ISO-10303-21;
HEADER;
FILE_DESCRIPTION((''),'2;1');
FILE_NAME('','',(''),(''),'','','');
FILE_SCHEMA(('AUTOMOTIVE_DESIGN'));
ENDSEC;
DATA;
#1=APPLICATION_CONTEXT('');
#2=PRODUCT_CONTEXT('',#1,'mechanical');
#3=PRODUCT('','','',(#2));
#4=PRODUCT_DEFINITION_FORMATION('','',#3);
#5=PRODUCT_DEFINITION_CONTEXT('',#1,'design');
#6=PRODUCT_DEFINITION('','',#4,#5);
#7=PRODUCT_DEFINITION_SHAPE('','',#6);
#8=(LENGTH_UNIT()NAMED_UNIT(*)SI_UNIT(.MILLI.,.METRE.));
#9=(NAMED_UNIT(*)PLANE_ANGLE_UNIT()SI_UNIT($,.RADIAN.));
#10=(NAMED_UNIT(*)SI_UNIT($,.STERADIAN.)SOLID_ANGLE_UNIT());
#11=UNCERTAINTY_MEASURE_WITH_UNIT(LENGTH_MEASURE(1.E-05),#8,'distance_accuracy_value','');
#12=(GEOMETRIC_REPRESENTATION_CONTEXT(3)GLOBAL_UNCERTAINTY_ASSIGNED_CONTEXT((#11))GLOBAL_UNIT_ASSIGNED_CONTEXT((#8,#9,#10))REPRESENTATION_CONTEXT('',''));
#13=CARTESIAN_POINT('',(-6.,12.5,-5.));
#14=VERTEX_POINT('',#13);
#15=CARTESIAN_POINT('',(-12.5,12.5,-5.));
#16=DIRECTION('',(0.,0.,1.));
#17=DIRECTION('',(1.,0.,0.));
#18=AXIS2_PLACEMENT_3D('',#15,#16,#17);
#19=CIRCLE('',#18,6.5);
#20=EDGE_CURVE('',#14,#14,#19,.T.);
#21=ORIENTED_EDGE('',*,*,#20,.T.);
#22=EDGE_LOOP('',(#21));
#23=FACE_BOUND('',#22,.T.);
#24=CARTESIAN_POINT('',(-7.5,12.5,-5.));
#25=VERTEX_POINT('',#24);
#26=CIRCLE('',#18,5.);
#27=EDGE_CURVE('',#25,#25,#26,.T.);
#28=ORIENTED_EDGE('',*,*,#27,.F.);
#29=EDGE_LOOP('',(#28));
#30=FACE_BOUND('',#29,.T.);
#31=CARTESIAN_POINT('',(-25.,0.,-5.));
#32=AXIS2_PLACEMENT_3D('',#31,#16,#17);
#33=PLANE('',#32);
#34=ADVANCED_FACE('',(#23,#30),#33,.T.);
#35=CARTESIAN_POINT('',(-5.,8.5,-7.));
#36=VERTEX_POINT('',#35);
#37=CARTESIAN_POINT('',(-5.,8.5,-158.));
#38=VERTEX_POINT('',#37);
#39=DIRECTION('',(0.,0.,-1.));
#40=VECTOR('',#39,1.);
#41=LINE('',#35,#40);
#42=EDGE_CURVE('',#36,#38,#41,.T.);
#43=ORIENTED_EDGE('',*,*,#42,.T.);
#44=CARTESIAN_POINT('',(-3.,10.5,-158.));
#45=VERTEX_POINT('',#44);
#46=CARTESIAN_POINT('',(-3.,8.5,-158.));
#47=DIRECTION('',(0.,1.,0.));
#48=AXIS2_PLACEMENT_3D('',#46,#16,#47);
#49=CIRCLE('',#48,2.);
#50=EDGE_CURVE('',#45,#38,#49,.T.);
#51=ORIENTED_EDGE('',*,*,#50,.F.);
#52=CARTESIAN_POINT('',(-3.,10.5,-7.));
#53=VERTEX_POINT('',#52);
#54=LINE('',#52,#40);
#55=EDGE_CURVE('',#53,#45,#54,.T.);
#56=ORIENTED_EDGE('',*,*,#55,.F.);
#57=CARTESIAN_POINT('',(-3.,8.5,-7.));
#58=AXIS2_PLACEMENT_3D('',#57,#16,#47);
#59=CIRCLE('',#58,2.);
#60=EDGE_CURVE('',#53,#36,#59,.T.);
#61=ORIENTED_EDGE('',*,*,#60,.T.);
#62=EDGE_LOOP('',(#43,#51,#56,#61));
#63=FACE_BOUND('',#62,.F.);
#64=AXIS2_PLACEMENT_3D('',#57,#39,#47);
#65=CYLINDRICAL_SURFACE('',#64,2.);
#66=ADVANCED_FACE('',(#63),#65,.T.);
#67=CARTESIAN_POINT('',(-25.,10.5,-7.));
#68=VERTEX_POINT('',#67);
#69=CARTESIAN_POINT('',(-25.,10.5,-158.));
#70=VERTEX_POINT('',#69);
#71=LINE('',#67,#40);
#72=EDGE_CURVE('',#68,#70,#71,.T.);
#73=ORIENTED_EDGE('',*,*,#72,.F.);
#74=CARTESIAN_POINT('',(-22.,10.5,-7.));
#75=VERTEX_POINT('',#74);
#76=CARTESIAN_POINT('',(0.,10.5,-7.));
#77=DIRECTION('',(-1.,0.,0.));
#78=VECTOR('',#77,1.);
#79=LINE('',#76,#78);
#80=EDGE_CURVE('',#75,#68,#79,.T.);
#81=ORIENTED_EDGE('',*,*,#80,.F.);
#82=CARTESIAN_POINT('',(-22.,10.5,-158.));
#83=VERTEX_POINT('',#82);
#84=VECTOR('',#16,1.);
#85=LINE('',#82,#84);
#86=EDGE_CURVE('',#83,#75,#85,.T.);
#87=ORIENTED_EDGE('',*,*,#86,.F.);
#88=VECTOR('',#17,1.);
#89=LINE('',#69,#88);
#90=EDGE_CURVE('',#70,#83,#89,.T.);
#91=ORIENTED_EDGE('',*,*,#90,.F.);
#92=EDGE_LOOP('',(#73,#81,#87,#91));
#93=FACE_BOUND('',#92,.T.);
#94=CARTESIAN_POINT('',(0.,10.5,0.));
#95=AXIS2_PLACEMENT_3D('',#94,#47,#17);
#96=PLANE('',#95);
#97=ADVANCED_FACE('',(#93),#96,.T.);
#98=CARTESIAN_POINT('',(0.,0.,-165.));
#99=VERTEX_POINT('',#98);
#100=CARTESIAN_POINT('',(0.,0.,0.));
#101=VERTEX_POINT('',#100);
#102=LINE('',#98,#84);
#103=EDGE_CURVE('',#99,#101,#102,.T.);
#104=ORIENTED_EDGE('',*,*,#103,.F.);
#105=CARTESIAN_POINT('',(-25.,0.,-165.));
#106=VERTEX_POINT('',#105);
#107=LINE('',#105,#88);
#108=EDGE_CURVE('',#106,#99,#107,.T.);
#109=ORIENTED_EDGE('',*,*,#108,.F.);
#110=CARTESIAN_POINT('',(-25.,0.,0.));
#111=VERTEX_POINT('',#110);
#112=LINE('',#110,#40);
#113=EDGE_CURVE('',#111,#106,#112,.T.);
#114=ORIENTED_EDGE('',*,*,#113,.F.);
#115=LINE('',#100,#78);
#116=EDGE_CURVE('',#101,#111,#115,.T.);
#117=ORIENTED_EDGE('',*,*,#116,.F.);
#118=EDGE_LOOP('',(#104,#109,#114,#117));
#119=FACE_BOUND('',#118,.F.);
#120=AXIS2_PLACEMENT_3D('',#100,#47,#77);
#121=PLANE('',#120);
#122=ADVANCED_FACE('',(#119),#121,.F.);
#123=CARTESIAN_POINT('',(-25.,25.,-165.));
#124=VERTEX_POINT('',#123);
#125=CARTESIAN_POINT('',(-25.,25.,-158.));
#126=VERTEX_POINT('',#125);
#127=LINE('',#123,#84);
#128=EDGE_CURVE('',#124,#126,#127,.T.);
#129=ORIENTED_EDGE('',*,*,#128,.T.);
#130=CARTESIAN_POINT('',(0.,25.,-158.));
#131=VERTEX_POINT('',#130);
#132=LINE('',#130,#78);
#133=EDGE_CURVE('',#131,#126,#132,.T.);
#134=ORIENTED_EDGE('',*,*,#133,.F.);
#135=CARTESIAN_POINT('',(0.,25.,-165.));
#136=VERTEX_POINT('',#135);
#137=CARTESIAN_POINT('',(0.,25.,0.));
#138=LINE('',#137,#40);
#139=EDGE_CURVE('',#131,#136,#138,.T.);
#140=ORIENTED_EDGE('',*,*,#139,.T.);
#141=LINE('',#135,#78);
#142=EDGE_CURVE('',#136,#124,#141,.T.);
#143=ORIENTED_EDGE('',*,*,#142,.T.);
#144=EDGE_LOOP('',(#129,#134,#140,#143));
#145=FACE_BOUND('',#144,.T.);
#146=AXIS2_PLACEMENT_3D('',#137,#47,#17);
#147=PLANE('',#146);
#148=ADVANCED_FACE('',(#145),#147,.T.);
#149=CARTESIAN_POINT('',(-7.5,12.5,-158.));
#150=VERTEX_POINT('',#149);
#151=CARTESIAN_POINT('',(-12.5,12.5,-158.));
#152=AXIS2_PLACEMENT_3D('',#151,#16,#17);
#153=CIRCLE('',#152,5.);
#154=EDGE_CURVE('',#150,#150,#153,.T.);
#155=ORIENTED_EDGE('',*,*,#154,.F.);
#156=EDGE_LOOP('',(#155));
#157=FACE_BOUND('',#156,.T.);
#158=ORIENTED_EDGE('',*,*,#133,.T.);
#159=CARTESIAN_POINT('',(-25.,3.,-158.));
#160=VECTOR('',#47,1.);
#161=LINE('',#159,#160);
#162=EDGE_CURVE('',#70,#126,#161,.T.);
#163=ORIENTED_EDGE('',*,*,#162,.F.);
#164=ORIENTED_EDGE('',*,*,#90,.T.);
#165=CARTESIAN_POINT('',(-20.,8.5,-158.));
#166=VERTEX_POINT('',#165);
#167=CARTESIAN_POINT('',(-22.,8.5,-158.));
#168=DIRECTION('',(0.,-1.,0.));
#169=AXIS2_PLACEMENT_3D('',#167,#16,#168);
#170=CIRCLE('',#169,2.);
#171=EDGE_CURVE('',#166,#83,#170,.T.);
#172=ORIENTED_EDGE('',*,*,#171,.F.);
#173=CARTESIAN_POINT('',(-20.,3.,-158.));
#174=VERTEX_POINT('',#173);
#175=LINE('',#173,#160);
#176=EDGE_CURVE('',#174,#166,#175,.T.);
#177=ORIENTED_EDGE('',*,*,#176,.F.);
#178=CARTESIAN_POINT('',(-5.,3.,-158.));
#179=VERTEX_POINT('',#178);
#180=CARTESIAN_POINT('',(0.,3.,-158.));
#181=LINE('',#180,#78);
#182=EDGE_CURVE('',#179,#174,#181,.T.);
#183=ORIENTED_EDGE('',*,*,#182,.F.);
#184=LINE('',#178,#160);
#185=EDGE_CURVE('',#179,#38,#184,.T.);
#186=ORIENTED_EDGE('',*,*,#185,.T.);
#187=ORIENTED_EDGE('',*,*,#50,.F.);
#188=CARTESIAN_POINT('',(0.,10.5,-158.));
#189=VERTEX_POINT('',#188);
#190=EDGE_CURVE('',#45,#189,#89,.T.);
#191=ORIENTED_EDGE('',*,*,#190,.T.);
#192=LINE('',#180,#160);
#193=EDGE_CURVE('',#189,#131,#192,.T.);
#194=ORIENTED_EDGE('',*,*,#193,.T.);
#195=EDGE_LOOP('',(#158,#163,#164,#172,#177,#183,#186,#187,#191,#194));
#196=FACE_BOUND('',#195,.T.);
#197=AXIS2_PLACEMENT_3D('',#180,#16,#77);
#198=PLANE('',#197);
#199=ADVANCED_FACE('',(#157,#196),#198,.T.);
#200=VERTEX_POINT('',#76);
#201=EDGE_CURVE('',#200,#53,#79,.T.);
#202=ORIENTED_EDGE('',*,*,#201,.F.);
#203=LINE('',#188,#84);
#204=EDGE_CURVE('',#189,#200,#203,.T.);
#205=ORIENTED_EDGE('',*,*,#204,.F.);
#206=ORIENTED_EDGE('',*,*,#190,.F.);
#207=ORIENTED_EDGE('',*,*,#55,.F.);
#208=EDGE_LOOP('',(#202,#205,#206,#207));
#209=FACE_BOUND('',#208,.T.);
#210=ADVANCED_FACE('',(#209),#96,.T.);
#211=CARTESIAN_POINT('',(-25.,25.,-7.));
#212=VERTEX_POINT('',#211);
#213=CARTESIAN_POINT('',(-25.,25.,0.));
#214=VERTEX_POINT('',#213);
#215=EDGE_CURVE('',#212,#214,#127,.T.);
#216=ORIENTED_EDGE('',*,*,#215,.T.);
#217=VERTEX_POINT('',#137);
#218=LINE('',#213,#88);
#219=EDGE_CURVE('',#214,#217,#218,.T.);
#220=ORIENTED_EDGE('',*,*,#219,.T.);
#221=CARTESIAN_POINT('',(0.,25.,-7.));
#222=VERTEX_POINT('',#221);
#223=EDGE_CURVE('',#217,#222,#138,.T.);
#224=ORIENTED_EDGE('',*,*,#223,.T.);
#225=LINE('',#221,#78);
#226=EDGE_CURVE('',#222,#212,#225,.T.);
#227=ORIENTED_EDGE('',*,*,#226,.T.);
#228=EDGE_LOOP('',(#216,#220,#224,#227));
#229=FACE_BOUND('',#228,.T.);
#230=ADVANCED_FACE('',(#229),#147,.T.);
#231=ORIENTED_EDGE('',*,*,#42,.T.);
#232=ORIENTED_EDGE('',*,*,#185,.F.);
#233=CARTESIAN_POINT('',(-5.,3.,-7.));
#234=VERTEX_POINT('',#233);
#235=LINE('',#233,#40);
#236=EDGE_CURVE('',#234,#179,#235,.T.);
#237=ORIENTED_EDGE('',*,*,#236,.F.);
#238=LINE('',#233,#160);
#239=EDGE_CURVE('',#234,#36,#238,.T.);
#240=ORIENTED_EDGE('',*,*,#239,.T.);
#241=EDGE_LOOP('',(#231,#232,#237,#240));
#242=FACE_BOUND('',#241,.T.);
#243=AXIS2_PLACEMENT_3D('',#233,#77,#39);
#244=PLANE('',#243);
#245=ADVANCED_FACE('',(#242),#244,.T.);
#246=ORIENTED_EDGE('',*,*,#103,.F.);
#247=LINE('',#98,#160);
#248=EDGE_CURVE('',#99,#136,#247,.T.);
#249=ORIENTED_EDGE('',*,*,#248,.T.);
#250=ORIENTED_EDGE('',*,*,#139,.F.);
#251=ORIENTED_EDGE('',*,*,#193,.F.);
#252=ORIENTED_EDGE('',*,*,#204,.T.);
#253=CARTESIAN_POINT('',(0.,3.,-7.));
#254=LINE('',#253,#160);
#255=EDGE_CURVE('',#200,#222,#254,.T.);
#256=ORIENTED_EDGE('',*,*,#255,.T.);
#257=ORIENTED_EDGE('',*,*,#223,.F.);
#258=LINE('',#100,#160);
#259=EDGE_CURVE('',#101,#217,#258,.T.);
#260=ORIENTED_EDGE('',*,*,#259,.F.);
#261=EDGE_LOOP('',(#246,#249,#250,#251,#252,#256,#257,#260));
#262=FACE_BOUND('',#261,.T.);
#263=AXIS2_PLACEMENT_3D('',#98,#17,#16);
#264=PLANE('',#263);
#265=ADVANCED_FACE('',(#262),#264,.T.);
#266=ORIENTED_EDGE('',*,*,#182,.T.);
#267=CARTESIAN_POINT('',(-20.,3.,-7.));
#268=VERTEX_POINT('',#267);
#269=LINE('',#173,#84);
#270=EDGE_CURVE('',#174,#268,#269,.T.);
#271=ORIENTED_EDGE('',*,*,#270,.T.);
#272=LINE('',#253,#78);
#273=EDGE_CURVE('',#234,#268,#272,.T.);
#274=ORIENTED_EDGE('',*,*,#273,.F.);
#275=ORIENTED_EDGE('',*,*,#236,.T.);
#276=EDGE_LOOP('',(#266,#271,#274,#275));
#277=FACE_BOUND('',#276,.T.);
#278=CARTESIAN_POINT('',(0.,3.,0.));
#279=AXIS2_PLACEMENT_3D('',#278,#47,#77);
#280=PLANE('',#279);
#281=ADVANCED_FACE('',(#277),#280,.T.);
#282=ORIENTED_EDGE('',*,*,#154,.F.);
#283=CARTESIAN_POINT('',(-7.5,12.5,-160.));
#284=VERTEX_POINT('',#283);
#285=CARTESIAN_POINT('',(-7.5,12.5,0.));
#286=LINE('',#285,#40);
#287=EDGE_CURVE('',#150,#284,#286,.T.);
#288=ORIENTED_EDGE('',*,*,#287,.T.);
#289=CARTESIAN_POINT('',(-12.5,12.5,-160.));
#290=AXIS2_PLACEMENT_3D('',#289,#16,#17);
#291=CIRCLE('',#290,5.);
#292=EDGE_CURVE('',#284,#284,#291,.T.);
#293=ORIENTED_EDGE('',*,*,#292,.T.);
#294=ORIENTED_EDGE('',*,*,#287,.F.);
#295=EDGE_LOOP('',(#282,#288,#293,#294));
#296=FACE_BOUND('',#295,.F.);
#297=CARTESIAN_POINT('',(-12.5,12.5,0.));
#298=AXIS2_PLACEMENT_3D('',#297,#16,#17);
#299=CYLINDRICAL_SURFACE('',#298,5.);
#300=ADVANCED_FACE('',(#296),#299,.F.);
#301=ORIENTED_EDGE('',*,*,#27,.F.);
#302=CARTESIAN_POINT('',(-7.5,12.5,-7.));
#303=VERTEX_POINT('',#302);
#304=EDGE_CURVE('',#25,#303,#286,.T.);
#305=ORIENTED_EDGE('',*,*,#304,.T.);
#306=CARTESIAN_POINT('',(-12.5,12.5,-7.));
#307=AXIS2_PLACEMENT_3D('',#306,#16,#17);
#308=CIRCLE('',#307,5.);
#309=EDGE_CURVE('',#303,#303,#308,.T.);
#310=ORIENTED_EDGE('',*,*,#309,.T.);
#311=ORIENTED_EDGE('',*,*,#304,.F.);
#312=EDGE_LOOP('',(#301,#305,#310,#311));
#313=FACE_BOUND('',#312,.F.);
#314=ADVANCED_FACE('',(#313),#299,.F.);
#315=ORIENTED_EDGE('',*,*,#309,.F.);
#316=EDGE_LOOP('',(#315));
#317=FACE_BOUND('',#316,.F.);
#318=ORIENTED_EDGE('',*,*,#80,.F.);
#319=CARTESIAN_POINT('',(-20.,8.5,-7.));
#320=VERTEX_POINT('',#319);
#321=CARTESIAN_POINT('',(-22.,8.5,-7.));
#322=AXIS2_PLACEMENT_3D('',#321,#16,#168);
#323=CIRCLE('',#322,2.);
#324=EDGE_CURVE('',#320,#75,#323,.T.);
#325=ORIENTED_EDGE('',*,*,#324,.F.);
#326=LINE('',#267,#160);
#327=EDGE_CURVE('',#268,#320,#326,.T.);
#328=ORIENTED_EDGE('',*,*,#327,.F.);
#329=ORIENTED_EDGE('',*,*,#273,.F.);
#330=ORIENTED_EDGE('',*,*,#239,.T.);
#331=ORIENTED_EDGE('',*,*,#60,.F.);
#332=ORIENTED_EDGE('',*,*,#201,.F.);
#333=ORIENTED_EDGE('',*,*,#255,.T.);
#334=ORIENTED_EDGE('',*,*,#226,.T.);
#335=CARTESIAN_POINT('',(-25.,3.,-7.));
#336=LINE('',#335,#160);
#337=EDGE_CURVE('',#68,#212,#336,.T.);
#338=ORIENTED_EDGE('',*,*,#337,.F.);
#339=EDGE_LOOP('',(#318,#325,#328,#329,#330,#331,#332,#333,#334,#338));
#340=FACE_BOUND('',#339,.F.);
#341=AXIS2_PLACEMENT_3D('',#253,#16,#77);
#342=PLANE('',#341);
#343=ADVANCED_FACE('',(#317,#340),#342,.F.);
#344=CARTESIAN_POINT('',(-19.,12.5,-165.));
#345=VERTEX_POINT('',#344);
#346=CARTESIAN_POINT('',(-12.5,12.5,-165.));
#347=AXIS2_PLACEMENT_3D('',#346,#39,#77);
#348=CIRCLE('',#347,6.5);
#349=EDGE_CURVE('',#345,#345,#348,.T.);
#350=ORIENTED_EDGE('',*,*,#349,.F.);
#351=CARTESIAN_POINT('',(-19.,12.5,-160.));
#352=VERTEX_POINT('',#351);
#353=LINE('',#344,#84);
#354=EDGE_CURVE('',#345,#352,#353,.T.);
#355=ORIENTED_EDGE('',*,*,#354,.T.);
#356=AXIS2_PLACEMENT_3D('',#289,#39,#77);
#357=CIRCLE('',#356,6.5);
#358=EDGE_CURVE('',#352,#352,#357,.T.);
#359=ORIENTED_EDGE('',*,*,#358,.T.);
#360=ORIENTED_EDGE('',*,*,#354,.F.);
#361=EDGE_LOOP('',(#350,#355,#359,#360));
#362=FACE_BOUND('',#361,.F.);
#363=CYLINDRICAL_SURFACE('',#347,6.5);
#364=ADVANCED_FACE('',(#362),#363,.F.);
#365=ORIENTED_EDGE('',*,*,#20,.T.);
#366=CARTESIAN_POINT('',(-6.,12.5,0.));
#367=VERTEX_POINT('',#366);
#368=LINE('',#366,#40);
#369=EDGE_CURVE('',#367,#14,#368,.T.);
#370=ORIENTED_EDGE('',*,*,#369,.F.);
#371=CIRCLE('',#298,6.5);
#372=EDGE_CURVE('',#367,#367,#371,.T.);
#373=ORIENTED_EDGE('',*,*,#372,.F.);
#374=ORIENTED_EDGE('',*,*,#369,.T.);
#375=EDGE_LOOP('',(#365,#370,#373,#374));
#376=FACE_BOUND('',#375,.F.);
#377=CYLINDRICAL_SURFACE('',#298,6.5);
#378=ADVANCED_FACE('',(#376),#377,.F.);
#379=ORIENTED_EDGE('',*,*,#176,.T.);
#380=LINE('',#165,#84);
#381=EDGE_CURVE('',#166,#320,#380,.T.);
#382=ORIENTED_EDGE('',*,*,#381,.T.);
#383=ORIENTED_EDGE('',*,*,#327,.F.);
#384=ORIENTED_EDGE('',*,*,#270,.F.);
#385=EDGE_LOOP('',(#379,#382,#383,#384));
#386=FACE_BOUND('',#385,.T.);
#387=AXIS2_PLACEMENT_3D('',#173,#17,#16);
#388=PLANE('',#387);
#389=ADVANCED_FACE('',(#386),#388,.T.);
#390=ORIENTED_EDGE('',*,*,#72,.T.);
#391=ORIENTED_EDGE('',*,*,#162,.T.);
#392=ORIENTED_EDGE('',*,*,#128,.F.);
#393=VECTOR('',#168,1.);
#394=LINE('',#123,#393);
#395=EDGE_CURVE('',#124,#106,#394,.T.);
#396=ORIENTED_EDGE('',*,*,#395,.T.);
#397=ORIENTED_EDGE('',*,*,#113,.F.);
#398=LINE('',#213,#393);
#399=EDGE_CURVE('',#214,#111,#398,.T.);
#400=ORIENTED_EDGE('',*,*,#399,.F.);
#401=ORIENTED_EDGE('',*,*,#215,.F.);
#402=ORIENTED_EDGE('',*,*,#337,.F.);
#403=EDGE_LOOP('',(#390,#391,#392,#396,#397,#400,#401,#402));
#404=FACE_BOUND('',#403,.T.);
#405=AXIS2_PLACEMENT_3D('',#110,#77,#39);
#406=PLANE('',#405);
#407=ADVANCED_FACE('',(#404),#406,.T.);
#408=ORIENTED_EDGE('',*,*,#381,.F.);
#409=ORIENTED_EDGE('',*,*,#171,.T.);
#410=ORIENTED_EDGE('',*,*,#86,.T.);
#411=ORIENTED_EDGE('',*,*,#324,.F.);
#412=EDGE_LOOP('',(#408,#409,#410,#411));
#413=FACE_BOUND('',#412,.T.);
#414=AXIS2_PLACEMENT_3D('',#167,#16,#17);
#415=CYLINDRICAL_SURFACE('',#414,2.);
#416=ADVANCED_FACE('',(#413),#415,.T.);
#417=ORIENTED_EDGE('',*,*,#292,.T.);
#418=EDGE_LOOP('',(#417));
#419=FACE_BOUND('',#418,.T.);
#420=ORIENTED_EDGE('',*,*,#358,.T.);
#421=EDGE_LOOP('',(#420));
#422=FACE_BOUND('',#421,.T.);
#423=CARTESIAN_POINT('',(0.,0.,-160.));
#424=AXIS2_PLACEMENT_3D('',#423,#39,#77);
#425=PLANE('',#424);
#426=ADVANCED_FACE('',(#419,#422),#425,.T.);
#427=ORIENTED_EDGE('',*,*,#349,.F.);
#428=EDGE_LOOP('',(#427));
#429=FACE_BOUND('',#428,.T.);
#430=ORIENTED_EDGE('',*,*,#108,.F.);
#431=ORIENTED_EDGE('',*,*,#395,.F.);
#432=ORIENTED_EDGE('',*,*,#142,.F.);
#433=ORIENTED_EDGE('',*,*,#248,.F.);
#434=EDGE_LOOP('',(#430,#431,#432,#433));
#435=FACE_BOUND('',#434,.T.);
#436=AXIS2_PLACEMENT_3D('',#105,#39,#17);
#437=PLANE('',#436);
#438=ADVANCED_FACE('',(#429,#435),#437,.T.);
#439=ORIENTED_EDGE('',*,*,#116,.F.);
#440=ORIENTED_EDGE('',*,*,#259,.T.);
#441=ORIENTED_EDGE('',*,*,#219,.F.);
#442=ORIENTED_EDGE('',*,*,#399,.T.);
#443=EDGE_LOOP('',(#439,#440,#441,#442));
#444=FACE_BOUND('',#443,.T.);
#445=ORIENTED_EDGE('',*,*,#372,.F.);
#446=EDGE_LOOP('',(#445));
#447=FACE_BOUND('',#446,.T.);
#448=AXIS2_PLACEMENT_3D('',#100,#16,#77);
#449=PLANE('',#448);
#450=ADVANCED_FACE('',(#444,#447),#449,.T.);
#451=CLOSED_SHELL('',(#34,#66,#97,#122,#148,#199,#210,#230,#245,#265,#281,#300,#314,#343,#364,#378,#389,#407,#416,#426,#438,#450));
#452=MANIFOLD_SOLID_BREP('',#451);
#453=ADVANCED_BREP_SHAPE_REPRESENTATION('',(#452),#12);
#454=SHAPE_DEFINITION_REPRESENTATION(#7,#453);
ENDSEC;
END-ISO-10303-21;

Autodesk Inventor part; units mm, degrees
ref_plane "YZ Plane" through (0, 0, 0) normal (1, 0, 0) x (0, 1, 0)
ref_plane "XZ Plane" through (0, 0, 0) normal (0, 1, 0) x (-1, 0, 0)
ref_plane "XY Plane" through (0, 0, 0) normal (0, 0, 1) x (1, 0, 0)
sketch "Sketch1" plane through (0, 0, 0) normal (0, 1, 0) x (-1, 0, 0)
  line L0 (0, 0) -> (25, 0)
  line L1 (25, 0) -> (25, -165)
  line L2 (25, -165) -> (0, -165)
  line L3 (0, -165) -> (0, 0)
  dimension "d0" = 25
  dimension "d1" = 165
extrude "Extrusion1" add sketch "Sketch1" along normal blind 3
sketch "Sketch2" plane through (0, 3, 0) normal (0, 1, 0) x (1, 0, 0)
  line L0 (-25, 165) -> (-25, 0) projected
  line L1 (0, 0) -> (0, 165) projected
  line L2 (-25, 0) -> (0, 0)
  line L3 (0, 0) -> (0, 7)
  line L4 (0, 7) -> (-25, 7)
  line L5 (-25, 7) -> (-25, 0)
  line L6 (0, 165) -> (-25, 165) projected
  line L7 (-25, 165) -> (0, 165)
  line L8 (0, 165) -> (0, 158)
  line L9 (0, 158) -> (-25, 158)
  line L10 (-25, 158) -> (-25, 165)
  dimension "d4" = 7
  dimension "d5" = 7
extrude "Extrusion2" add sketch "Sketch2" along normal blind 22 contours L6 L1 L9 L0 | L4 L1 L2 L0
sketch "Sketch3" plane through (-25, 0, 0) normal (0, 0, 1) x (1, 0, 0)
  point P0 (25, 0)
sketch "Sketch4" plane through (-25, 0, 0) normal (0, 0, 1) x (1, 0, 0)
  line L0 (25, 25) -> (0, 25) construction
  line L1 (25, 0) -> (0, 25) construction
  circle A0 centre (12.5, 12.5) radius 6.5
  dimension "d8" = 13
extrude "Extrusion3" cut sketch "Sketch4" against normal blind 5
sketch "Sketch5" plane through (0, 0, -165) normal (0, 0, -1) x (-1, 0, 0)
  circle A0 centre (12.5, 12.5) radius 6.5 projected
  circle A1 centre (12.5, 12.5) radius 6.5
  point P0 (0, 0)
extrude "Extrusion4" cut sketch "Sketch5" against normal blind 5
sketch "Sketch6" plane through (-25, 0, 0) normal (0, 0, 1) x (1, 0, 0)
  circle A0 centre (12.5, 12.5) radius 6.5 projected
  circle A1 centre (12.5, 12.5) radius 5
  point P0 (25, 0)
  dimension "d13" = 10
extrude "Extrusion5" cut sketch "Sketch6" against normal blind 165 contours A1
sketch "Sketch7" plane through (-25, 3, -158) normal (0, 0, 1) x (1, 0, 0)
  line L0 (25, 0) -> (25, 22) construction
  line L1 (0, 0) -> (0, 22) construction
  point P0 (25, -3)
sketch "Sketch8" plane through (-25, 3, -158) normal (0, 0, 1) x (1, 0, 0)
  circle A0 centre (12.5, 9.5) radius 5 projected
  point P0 (25, -3)
sketch "Sketch9" plane through (0, 3, 0) normal (0, 1, 0) x (1, 0, 0)
  line L0 (-25, 158) -> (0, 158) projected
  line L1 (0, 7) -> (-25, 7) projected
  line L2 (-25, 158) -> (-20, 158)
  line L3 (-20, 158) -> (-20, 7)
  line L4 (-20, 7) -> (-25, 7)
  line L5 (-25, 7) -> (-25, 158)
  line L6 (0, 0) -> (0, 7) projected
  line L7 (0, 7) -> (-5, 7)
  line L8 (-5, 7) -> (-5, 158)
  line L9 (-5, 158) -> (0, 158)
  line L10 (0, 158) -> (0, 7)
  dimension "d16" = 5
  dimension "d17" = 5
extrude "Extrusion6" add sketch "Sketch9" along normal blind 7.5 contours L0 L3 L1 L5 | L0 L10 L1 L8
fillet "Fillet1" radius 2 2 edges at (-5, 10.5, -82.5) (-20, 10.5, -82.5)
properties part number "baseAxel 11-28"
